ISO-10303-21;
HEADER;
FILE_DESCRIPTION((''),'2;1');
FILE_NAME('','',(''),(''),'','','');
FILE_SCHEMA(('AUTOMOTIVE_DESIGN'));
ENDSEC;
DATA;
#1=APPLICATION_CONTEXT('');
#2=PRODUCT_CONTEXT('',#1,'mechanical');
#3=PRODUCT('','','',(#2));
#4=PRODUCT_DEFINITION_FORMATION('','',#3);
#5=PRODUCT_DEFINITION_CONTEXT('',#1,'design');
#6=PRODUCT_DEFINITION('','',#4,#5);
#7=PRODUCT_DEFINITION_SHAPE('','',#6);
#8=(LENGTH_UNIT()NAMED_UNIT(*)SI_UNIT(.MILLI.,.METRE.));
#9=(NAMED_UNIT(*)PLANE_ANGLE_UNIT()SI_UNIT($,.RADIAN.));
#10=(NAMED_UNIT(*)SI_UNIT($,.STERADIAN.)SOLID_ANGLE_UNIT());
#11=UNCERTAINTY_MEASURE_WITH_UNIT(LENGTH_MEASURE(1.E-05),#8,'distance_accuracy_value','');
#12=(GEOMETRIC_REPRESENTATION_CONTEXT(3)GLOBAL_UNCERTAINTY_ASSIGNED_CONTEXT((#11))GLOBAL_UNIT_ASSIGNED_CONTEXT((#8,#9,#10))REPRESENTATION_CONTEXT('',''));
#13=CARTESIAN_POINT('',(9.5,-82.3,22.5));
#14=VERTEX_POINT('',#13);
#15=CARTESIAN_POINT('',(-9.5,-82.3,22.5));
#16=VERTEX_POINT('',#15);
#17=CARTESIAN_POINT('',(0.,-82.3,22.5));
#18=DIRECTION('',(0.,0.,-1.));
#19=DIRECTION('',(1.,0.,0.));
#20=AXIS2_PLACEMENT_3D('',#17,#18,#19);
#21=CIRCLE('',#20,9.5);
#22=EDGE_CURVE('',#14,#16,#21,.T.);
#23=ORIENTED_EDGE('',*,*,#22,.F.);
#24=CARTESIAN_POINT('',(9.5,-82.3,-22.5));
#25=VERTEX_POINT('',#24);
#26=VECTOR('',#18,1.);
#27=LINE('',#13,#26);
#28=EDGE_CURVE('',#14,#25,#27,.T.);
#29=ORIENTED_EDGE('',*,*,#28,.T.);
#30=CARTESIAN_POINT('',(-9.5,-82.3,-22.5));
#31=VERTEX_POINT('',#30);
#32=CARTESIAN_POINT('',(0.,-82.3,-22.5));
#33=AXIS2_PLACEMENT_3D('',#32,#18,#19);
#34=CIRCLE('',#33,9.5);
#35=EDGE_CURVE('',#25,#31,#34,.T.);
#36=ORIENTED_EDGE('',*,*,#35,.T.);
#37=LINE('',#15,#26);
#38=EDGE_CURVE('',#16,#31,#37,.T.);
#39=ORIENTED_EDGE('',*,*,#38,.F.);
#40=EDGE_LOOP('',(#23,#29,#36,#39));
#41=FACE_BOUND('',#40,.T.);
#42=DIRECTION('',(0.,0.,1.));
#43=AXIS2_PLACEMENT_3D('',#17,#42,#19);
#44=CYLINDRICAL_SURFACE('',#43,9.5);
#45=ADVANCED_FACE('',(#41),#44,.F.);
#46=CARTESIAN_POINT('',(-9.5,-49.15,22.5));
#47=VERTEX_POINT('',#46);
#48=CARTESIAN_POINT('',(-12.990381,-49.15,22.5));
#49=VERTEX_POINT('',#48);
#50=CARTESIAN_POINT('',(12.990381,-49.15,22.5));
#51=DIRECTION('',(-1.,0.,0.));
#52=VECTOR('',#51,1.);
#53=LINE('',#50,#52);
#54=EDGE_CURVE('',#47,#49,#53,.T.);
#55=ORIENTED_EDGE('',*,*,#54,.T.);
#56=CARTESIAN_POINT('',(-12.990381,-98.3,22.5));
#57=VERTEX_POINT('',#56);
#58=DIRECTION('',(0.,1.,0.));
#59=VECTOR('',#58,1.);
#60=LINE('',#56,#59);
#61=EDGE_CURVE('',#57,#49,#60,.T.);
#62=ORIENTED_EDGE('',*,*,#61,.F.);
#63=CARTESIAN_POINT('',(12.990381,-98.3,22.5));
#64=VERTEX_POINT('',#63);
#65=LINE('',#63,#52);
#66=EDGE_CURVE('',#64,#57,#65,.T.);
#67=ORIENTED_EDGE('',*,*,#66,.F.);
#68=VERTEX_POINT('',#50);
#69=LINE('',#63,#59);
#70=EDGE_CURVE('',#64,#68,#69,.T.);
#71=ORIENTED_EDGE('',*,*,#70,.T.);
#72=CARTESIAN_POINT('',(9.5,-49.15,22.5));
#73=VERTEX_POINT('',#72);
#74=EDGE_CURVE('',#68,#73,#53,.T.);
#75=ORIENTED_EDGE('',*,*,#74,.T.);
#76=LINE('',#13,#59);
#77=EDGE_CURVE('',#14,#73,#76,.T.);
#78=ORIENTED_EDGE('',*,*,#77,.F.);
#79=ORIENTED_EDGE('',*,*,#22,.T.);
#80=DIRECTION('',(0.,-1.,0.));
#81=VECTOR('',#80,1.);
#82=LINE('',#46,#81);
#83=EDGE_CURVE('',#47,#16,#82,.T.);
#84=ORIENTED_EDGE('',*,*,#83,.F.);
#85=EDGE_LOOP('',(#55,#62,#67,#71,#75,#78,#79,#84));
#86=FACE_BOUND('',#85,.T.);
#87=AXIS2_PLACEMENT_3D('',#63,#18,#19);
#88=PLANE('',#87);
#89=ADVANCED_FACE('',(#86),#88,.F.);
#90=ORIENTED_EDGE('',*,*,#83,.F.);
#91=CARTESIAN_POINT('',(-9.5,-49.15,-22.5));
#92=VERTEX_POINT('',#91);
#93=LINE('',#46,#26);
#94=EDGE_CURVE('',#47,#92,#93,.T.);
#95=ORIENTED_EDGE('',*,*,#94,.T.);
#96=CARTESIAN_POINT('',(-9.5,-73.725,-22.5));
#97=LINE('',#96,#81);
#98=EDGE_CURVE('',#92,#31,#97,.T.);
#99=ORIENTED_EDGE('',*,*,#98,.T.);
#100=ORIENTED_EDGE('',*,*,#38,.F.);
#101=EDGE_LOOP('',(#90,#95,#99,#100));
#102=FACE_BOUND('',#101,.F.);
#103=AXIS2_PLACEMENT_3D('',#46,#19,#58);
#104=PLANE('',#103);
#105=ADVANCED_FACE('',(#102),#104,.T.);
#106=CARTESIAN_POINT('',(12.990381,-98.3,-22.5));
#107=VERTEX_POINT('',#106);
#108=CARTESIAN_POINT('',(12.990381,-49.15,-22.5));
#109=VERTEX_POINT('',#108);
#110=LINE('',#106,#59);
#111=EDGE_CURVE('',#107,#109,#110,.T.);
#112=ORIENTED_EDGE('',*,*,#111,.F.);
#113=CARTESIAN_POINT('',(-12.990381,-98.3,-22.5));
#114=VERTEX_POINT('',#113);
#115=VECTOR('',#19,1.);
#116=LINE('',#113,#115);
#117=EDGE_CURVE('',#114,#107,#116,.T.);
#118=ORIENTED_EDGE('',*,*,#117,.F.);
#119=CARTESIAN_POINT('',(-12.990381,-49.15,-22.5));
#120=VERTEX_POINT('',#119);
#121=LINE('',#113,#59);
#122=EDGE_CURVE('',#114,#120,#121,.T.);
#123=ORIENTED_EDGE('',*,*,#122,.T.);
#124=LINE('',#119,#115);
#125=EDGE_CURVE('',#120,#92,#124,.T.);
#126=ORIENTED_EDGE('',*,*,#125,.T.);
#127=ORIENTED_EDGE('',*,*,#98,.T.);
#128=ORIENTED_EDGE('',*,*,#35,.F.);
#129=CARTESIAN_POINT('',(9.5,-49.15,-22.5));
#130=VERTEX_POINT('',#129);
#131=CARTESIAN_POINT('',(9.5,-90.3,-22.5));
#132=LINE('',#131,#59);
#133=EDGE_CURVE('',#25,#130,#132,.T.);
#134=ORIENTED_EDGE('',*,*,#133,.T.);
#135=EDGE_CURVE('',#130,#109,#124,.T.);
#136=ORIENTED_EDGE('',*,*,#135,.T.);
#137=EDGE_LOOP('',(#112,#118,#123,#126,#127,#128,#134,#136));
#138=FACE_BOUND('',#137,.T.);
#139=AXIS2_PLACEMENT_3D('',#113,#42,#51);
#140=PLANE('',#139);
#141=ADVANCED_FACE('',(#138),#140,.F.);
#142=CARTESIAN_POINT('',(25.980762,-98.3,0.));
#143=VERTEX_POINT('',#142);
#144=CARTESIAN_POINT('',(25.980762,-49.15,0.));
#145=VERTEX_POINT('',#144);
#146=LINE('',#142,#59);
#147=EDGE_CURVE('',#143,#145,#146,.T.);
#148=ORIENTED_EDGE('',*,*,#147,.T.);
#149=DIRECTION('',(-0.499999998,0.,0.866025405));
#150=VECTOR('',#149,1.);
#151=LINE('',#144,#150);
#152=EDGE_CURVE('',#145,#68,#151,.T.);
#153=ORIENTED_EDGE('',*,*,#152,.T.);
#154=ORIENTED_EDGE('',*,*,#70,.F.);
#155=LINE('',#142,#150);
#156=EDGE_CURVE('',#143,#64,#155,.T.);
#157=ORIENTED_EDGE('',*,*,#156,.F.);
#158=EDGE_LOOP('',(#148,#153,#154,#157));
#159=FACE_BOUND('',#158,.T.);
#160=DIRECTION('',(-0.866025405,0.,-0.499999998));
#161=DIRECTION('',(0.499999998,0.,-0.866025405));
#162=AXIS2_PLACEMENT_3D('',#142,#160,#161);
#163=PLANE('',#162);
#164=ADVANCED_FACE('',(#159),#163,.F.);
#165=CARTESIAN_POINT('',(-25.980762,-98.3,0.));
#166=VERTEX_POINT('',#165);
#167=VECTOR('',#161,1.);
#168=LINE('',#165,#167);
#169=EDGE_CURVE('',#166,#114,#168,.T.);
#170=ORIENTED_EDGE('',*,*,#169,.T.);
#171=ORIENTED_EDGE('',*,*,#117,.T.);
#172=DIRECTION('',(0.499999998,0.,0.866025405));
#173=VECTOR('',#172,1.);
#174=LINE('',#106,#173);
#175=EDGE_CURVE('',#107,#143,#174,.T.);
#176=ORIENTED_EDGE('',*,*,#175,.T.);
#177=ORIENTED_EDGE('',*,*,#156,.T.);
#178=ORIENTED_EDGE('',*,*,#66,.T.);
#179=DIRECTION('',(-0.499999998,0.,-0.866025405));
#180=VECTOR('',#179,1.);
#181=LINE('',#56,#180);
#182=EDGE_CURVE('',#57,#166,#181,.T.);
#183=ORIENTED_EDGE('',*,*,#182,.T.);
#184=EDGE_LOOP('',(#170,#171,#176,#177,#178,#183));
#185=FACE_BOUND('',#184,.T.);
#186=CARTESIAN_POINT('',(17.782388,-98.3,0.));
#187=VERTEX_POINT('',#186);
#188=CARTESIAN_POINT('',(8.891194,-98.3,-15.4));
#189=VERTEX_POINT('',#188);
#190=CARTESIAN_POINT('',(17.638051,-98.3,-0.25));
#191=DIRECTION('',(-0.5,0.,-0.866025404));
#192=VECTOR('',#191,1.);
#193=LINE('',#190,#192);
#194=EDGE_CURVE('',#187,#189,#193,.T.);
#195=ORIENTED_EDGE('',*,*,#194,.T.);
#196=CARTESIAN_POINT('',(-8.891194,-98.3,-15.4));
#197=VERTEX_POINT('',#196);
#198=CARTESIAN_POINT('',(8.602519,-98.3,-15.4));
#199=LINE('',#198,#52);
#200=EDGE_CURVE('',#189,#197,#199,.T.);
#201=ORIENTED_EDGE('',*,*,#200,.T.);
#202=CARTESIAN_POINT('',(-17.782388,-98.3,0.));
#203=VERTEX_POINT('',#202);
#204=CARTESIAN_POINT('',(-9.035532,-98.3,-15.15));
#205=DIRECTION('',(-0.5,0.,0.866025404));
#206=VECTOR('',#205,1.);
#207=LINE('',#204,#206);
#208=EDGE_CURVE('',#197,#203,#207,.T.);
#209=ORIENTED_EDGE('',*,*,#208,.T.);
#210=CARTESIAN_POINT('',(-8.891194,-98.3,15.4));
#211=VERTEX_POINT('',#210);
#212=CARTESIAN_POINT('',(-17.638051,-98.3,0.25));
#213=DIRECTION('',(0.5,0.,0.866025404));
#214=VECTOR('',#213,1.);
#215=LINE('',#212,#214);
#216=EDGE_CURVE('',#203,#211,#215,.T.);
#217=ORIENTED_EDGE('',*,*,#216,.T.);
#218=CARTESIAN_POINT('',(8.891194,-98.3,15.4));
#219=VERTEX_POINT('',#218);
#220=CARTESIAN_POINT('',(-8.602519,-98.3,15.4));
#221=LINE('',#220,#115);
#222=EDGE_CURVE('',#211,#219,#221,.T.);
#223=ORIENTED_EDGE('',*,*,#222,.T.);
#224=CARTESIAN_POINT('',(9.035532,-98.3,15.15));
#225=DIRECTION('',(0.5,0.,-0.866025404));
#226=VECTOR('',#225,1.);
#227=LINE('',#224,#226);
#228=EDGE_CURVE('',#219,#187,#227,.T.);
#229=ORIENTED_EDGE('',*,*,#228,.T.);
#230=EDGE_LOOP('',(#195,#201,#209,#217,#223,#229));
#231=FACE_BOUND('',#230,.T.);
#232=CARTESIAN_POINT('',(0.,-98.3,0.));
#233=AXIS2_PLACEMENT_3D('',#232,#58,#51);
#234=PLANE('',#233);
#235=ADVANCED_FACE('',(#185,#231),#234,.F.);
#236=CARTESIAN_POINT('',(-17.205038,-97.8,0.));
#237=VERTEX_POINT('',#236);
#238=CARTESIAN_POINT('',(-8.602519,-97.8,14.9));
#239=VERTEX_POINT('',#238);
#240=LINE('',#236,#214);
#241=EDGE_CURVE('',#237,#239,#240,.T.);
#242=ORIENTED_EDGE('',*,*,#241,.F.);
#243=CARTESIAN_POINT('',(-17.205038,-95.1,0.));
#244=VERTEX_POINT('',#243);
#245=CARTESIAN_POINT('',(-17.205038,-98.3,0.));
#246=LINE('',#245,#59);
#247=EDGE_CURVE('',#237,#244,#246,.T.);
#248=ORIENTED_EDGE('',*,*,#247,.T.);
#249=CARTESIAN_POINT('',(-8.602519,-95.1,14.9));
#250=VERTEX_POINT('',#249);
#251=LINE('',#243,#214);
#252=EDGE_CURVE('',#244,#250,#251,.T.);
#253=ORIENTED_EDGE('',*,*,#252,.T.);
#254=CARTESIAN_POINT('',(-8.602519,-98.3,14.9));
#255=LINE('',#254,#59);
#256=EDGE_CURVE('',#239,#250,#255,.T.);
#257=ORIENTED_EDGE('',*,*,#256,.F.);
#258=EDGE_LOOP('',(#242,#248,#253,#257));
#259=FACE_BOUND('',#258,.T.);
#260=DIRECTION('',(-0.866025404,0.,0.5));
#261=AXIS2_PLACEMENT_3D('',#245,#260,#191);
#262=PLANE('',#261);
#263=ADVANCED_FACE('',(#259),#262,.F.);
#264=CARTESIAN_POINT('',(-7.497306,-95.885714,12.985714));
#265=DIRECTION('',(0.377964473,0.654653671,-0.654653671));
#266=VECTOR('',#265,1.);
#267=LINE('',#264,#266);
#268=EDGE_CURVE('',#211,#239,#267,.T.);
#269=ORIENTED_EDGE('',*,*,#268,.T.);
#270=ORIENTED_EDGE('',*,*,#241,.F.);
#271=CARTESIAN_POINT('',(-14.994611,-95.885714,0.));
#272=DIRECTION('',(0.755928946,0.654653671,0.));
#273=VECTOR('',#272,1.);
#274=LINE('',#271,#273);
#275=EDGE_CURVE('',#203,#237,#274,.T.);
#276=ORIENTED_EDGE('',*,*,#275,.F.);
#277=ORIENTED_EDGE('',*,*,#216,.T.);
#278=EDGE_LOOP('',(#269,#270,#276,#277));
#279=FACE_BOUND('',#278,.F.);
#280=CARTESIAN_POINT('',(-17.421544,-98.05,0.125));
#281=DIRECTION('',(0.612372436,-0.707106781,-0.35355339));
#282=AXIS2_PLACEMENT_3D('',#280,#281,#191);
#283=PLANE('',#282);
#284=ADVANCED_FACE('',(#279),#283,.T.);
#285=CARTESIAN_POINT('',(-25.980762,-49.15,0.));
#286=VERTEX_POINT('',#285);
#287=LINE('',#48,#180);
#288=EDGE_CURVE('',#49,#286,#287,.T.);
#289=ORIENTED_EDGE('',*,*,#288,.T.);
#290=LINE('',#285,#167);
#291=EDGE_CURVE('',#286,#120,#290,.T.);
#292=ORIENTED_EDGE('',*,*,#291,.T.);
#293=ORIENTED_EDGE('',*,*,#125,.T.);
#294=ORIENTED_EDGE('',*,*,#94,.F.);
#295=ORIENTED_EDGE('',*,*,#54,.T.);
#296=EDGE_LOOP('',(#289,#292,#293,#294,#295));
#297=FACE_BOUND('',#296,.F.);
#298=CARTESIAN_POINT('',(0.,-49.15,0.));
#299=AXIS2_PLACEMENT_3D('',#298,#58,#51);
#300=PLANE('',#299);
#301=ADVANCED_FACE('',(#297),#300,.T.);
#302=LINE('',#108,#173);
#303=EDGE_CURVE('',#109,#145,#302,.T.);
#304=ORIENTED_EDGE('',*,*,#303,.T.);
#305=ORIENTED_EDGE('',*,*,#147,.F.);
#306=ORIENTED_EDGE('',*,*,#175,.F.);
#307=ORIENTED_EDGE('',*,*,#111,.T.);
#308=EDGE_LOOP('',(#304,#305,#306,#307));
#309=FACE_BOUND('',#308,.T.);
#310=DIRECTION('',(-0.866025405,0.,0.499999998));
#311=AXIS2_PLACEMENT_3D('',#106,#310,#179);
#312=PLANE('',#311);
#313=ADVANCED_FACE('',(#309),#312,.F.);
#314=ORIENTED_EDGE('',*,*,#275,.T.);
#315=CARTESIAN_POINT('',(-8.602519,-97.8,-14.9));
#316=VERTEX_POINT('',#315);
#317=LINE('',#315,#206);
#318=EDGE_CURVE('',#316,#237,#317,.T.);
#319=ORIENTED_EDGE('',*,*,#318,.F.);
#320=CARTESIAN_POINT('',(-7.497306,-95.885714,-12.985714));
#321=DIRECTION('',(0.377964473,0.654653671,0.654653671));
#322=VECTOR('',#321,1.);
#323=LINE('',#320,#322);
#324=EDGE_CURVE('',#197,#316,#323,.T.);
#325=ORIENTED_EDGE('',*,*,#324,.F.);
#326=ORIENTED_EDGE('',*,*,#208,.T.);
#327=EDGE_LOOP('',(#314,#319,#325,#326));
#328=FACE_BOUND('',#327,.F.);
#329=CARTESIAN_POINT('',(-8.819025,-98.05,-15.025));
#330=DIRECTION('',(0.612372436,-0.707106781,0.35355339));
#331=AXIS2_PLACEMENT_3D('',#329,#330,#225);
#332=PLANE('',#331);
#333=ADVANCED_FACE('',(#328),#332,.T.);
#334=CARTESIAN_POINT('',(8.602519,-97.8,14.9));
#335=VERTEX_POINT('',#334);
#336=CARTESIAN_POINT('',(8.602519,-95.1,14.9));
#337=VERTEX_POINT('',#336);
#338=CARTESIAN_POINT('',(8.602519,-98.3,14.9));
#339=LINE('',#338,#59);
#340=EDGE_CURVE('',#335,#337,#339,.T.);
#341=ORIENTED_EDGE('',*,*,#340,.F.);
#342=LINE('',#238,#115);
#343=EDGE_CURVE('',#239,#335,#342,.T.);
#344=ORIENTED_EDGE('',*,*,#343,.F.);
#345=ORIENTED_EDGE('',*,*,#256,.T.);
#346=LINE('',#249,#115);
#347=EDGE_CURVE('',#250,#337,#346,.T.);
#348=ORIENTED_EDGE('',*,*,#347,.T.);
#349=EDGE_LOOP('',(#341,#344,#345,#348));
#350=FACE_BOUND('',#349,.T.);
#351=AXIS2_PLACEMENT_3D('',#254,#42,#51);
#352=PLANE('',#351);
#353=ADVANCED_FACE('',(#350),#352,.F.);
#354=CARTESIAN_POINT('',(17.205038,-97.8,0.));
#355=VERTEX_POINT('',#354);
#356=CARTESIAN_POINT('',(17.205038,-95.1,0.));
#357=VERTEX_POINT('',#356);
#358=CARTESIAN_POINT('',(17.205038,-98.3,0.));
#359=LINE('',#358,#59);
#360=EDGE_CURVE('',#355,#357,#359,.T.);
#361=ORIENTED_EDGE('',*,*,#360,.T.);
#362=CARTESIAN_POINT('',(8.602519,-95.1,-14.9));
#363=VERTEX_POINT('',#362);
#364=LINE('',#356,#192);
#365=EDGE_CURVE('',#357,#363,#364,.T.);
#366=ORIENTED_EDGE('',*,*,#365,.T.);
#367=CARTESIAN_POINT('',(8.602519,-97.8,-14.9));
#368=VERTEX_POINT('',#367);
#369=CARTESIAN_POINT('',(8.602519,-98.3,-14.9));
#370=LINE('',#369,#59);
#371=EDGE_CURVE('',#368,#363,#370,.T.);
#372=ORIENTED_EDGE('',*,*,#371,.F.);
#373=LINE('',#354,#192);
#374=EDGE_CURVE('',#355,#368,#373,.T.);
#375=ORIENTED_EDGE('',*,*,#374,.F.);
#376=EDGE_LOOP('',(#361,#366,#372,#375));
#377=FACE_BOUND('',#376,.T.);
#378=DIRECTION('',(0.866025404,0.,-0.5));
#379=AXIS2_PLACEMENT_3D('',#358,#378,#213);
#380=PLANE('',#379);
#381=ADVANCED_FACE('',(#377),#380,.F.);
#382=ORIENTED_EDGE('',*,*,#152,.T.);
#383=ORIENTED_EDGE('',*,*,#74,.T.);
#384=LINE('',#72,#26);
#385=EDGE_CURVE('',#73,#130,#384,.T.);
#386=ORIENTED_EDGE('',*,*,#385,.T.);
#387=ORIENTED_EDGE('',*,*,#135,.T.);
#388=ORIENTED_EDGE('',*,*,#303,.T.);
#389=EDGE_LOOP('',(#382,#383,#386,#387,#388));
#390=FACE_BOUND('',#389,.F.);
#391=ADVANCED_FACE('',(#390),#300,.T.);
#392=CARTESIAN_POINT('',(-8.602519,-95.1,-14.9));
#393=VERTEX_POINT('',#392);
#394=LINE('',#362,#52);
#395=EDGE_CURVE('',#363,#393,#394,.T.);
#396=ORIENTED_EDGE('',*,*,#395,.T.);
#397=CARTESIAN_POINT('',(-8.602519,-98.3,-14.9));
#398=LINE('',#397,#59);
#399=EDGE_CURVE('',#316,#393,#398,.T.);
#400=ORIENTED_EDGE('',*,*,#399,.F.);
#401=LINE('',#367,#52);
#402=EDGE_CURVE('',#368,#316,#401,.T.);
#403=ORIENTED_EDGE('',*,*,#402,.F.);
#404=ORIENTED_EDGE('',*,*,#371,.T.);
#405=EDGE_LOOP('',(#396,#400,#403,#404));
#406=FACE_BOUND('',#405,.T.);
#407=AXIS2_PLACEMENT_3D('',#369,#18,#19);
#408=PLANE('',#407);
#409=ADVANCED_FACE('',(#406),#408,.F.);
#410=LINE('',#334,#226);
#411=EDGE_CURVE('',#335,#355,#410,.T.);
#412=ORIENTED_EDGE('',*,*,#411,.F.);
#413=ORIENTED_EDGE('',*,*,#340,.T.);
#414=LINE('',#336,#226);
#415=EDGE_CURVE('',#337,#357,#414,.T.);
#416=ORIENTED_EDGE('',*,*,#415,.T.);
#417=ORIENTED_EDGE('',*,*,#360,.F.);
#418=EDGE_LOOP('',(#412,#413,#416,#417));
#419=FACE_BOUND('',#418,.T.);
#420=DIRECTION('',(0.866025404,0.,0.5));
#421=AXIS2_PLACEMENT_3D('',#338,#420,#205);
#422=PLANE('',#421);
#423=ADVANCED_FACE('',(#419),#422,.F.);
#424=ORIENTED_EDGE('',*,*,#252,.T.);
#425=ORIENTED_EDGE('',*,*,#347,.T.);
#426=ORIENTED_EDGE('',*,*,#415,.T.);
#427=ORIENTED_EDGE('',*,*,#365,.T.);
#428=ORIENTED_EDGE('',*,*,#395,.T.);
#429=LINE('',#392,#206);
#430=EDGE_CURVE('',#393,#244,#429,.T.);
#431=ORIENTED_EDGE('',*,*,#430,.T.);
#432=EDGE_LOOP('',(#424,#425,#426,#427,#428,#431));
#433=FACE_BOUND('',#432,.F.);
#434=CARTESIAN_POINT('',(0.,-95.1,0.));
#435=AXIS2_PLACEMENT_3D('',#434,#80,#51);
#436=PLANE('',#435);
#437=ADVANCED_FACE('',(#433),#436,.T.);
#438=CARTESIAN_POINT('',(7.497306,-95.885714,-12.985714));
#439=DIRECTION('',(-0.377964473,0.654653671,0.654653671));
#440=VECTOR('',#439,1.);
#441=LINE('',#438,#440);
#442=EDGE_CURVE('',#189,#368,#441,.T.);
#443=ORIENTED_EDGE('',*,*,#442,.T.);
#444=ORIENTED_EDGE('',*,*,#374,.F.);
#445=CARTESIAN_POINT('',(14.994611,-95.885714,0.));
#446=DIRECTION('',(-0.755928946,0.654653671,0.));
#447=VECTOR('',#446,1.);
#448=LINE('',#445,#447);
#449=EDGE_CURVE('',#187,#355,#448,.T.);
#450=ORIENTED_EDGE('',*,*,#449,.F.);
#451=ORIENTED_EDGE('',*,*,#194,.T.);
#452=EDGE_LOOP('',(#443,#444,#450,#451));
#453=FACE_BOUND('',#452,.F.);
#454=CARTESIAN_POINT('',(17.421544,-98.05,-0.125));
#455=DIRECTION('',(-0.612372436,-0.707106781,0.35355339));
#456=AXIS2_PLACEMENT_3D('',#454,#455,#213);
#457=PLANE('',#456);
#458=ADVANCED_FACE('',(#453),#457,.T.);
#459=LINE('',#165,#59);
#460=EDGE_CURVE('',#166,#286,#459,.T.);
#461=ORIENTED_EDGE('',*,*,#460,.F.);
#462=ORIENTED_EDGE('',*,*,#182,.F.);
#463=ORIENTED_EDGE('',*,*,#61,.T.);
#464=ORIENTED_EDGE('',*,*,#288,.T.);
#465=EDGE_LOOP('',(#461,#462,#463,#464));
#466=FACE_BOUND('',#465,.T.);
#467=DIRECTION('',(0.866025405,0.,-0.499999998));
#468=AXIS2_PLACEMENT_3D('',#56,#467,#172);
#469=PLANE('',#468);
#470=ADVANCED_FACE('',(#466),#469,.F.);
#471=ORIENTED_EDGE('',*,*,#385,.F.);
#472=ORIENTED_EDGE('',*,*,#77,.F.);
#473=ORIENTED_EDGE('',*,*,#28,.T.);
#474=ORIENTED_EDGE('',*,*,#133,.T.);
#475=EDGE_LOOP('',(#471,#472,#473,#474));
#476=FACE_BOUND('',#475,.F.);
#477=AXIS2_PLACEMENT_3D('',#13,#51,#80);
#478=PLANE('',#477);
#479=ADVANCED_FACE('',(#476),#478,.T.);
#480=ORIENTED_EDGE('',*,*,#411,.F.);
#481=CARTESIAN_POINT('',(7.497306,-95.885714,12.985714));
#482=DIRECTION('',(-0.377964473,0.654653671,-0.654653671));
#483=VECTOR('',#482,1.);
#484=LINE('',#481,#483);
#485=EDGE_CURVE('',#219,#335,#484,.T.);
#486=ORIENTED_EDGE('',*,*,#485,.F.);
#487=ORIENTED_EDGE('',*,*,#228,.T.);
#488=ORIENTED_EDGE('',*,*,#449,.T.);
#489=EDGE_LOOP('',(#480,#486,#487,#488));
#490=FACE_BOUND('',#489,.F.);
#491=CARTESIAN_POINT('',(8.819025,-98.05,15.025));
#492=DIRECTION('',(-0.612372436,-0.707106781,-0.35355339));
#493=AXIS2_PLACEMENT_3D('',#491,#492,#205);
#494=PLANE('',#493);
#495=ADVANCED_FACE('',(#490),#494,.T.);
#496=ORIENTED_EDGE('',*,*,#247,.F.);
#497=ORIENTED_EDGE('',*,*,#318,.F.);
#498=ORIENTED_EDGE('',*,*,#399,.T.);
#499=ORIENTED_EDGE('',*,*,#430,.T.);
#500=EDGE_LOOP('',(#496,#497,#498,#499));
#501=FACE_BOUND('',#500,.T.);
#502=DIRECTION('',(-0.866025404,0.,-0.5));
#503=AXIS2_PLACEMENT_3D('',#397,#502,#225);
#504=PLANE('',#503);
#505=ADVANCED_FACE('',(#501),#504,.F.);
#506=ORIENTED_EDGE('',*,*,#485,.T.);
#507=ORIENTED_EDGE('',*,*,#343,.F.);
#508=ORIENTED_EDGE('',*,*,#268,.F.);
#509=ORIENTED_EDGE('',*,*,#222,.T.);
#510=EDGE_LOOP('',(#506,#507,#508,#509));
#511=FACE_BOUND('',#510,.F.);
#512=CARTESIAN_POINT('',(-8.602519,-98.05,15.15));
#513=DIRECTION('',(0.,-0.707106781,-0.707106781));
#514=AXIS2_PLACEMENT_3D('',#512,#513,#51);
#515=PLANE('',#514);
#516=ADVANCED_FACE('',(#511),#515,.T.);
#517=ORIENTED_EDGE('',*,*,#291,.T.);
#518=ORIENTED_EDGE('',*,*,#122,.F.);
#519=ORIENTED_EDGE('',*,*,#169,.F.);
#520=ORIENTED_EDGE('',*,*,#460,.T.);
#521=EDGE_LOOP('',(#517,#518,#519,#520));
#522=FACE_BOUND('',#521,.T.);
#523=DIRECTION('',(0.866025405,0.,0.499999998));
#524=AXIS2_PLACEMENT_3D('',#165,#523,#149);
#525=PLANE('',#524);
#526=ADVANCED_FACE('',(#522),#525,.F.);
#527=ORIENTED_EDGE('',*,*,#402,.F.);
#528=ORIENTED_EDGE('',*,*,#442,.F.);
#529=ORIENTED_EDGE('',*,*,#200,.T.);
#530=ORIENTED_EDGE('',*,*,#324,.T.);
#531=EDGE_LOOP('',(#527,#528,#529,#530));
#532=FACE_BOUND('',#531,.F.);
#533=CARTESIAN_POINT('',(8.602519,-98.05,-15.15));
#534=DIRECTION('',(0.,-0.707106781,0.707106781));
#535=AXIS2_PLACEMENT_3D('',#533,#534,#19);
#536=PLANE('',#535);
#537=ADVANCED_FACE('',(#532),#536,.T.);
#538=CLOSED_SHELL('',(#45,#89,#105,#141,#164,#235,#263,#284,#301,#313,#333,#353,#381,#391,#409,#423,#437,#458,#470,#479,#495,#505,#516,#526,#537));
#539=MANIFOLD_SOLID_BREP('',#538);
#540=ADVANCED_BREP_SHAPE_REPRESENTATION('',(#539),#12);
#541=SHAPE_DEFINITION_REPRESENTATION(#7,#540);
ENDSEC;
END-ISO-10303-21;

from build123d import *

# Parameters (mm, degrees)
PAD_DEPTH       = 49.15
POCKET_DEPTH    = 3.2
CHAMFER_SIZE    = 0.5
POCKET001_DEPTH = 45.001


with BuildPart() as body:
    # Sketch → Pad (new body)
    with BuildSketch(Plane.XZ):
        Polygon((25.980762, 0), (12.990381, 22.5), (-12.990381, 22.5), (-25.980762, 0), (-12.990381, -22.5), (12.990381, -22.5), align=None)
    extrude(amount=PAD_DEPTH)

    # Sketch017 → Pocket (cut)
    with BuildSketch(Plane(origin=(0, 0, 0), x_dir=(1, 0, 0), z_dir=(0, 1, 0))):
        Polygon((17.205038, 0), (8.602519, 14.9), (-8.602519, 14.9), (-17.205038, 0), (-8.602519, -14.9), (8.602519, -14.9), align=None)
    extrude(amount=-POCKET_DEPTH, mode=Mode.SUBTRACT)

    # Chamfer
    chamfer_edges = [body.edges().sort_by_distance(p)[0] for p in [
        (12.903779, 0, 7.45),
        (12.903779, 0, -7.45),
        (0, 0, -14.9),
        (-12.903779, 0, -7.45),
        (-12.903779, 0, 7.45),
        (0, 0, 14.9),
    ]]
    chamfer(chamfer_edges, length=CHAMFER_SIZE)

    # Sketch018 (on Face10 of Chamfer) → Pocket001 (cut, through all)
    with BuildSketch(Plane(origin=(0, 0, 22.5), x_dir=(-1, 0, 0), z_dir=(0, 0, 1))):
        with BuildLine():
            ThreePointArc((-9.5, 16), (0, 6.5), (9.5, 16))
            Line((9.5, 49.15), (9.5, 16))
            Line((-9.5, 49.15), (9.5, 49.15))
            Line((-9.5, 16), (-9.5, 49.15))
        make_face()
    extrude(amount=-POCKET001_DEPTH, mode=Mode.SUBTRACT)


with BuildPart() as part_mirroring:
    # Part__Mirroring: instance of Body
    add(body.part.mirror(Plane(origin=(0, 0, 0), x_dir=(1, 0, 0), z_dir=(0, 1, 0))))


with BuildPart() as part_mirroring_1:
    # Part__Mirroring placement: moved
    add(part_mirroring.part.moved(Location((0, -98.3, 0))))


solid = part_mirroring_1.part
